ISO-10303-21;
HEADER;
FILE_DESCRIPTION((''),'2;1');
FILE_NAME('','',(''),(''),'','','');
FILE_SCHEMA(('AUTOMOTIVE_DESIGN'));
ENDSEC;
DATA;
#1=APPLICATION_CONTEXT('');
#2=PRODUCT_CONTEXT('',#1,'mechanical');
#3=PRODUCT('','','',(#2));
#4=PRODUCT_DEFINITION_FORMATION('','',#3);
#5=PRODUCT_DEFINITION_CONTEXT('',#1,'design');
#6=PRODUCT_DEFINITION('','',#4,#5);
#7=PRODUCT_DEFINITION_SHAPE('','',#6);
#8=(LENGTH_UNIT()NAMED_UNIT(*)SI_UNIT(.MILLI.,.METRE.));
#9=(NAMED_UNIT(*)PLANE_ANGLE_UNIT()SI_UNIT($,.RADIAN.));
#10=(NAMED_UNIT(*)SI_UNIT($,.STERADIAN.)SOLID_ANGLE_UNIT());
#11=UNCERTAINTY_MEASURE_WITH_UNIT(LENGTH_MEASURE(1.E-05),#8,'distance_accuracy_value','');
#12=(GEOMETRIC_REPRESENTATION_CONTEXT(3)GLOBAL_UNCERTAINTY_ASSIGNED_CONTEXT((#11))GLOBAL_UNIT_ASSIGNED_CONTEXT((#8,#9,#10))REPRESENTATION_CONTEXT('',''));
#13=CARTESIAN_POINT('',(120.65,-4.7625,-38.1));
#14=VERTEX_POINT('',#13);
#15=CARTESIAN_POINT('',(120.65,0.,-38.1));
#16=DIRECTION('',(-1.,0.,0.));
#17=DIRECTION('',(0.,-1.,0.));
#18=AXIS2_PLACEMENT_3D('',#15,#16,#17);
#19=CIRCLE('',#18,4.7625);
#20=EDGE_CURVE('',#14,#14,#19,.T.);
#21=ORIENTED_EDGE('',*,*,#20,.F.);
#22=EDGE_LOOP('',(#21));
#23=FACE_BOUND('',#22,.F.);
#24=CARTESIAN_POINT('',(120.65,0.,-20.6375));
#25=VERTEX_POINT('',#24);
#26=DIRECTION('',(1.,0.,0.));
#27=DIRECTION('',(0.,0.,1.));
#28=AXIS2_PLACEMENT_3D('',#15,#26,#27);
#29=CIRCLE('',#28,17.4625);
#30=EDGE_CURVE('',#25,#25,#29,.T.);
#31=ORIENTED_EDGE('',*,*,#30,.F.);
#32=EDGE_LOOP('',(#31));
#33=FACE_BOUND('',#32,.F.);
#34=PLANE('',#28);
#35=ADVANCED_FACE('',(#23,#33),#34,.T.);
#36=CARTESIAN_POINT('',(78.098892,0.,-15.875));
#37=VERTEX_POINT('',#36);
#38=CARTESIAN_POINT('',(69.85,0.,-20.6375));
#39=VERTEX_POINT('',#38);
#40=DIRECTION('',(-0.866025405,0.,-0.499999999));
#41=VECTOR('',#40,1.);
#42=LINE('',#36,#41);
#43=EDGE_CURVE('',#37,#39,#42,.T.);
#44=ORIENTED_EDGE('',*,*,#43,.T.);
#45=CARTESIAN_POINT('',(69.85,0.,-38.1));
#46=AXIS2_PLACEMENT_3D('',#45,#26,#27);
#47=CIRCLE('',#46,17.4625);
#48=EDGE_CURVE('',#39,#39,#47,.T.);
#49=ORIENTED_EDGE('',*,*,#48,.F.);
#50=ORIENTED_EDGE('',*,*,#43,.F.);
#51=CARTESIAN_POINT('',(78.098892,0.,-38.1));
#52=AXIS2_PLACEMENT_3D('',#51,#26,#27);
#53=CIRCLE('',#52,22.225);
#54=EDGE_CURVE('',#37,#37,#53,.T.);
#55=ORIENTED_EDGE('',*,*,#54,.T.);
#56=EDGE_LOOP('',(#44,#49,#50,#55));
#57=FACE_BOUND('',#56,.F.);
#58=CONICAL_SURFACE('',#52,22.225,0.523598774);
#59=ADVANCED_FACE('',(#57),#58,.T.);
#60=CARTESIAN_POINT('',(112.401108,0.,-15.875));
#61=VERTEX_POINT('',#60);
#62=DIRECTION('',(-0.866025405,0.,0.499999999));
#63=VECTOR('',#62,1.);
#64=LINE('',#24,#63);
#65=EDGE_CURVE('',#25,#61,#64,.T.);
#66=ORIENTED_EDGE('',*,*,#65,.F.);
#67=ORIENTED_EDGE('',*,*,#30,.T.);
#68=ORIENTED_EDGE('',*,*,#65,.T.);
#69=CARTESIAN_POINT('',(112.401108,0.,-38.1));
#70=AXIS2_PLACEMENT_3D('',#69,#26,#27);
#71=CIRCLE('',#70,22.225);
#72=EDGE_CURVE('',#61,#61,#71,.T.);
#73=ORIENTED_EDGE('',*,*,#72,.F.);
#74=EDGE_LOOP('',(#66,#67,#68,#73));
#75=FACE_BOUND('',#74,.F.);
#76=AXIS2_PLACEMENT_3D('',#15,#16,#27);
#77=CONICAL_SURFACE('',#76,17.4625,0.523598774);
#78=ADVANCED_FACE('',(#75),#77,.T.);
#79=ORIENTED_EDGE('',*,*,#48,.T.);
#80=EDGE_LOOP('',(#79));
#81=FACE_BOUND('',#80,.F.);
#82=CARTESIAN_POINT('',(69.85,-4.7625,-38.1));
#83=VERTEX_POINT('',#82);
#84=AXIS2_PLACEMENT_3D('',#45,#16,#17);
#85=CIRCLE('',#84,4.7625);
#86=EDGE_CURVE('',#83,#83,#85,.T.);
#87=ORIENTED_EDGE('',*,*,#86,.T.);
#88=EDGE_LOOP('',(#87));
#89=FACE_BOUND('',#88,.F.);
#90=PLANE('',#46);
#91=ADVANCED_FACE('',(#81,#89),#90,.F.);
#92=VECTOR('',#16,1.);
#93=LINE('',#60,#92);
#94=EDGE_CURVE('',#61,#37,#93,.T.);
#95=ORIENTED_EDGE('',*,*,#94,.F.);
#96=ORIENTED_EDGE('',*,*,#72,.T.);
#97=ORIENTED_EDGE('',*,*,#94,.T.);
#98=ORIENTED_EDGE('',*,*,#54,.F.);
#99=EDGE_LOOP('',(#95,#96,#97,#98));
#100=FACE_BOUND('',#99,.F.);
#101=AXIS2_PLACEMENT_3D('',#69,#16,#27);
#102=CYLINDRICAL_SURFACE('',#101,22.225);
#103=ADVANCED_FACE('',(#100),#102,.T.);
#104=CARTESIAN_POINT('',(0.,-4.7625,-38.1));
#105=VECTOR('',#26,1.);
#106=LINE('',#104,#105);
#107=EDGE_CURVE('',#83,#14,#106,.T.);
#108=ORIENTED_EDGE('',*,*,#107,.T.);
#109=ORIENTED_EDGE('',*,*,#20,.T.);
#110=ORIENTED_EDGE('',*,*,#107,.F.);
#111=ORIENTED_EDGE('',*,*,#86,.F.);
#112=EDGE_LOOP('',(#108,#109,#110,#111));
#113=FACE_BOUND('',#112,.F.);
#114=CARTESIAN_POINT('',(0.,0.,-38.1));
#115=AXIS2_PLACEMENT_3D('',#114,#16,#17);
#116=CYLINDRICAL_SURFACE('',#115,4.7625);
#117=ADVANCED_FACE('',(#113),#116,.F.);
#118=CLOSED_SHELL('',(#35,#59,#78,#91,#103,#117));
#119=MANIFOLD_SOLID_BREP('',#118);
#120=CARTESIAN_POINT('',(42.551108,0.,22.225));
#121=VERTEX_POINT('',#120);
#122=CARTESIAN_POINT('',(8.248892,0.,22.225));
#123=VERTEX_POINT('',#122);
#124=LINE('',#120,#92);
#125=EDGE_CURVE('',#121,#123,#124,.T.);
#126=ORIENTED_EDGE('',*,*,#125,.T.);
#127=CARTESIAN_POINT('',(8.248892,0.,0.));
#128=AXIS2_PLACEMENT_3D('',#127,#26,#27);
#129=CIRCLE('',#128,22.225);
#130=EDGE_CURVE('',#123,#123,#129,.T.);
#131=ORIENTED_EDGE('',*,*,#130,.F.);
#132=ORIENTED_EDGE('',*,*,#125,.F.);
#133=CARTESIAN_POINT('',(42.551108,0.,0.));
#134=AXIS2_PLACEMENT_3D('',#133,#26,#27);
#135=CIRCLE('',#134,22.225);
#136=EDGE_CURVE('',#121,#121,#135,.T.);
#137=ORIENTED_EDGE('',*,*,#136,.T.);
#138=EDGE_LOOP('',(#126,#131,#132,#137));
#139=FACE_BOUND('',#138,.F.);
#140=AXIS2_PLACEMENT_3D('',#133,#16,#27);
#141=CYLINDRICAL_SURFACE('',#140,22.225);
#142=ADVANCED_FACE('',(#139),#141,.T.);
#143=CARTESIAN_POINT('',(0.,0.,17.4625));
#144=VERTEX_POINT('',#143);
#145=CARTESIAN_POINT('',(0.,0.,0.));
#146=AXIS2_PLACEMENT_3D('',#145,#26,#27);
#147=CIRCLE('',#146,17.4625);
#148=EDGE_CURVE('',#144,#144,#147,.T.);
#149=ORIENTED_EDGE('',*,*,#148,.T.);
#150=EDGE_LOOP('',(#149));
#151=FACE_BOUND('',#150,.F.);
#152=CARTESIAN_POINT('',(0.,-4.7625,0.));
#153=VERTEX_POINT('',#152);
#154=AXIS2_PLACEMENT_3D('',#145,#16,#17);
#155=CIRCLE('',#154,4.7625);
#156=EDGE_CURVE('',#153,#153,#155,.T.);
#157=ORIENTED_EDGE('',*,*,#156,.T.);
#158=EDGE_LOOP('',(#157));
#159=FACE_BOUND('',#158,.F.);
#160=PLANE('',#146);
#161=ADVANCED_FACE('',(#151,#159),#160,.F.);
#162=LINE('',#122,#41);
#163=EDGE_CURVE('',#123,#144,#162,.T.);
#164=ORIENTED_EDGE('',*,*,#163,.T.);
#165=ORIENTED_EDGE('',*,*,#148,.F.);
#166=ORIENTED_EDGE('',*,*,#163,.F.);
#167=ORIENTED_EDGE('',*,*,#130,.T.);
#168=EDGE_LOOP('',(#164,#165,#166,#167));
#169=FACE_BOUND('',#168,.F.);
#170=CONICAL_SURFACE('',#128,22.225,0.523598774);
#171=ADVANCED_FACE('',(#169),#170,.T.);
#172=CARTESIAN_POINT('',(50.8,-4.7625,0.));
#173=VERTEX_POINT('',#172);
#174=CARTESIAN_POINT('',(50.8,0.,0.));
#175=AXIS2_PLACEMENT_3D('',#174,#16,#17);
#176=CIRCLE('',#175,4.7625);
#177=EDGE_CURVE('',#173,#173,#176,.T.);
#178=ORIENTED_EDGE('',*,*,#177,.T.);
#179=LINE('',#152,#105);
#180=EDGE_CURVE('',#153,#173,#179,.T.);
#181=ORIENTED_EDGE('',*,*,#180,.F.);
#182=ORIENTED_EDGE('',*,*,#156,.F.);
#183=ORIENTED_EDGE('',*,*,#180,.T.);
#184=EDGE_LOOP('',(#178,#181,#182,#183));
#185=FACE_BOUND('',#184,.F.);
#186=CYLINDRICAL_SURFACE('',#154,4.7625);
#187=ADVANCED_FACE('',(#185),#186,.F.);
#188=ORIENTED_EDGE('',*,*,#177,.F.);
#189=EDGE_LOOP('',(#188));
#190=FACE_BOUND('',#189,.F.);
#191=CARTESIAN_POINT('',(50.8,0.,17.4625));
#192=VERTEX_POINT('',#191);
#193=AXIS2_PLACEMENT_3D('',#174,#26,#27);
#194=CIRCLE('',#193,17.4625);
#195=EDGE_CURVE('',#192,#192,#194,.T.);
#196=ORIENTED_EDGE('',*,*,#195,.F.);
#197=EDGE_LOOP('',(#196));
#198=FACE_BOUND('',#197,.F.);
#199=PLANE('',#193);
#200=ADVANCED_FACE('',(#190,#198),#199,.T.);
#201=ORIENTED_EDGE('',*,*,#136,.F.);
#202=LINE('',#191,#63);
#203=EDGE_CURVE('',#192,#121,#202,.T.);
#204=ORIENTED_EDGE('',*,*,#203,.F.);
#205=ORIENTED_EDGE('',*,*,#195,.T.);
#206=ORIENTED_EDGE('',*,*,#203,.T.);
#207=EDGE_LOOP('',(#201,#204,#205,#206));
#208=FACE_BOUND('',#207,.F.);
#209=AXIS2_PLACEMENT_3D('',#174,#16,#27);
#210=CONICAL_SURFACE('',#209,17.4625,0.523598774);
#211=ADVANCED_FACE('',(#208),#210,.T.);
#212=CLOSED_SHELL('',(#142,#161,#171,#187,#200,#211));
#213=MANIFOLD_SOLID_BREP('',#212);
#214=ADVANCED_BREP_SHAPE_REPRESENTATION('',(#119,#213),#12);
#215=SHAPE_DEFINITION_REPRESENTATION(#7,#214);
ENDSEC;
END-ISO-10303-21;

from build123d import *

# Parameters (mm, degrees)
F3_R     = 4.7625
F4_DEPTH = 120.651


with BuildPart() as f1:
    # F0 (on Front) → F1 (revolve)
    with BuildSketch(Plane.XZ):
        Polygon((0, 17.4625), (0, 0), (50.8, 0), (50.8, 17.4625), (42.551108, 22.225), (8.248892, 22.225), align=None)
    revolve(axis=Axis((25.4, 0, 0), (1, 0, 0)))


with BuildPart() as f2:
    # F0 (on Front) → F2 (revolve)
    with BuildSketch(Plane.XZ):
        Polygon((69.85, -20.6375), (69.85, -38.1), (120.65, -38.1), (120.65, -20.6375), (112.401108, -15.875), (78.098892, -15.875), align=None)
    revolve(axis=Axis((95.25, 0, -38.1), (1, 0, 0)))


with BuildPart() as f4_tool:
    # F3 (on face) → F4 (new body, through all)
    with BuildSketch(Plane(origin=(0, 0, 0), x_dir=(0, -1, 0), z_dir=(-1, 0, 0))):
        Circle(F3_R)
        with Locations((0, -38.1)):
            Circle(F3_R)
    extrude(amount=-F4_DEPTH)


with BuildPart() as f1_1:
    add(f1.part)

    # F4: cut by f4_tool
    add(f4_tool.part, mode=Mode.SUBTRACT)


with BuildPart() as f2_1:
    add(f2.part)

    # F4: cut by f4_tool
    add(f4_tool.part, mode=Mode.SUBTRACT)


solid = Compound([f1_1.part, f2_1.part])
